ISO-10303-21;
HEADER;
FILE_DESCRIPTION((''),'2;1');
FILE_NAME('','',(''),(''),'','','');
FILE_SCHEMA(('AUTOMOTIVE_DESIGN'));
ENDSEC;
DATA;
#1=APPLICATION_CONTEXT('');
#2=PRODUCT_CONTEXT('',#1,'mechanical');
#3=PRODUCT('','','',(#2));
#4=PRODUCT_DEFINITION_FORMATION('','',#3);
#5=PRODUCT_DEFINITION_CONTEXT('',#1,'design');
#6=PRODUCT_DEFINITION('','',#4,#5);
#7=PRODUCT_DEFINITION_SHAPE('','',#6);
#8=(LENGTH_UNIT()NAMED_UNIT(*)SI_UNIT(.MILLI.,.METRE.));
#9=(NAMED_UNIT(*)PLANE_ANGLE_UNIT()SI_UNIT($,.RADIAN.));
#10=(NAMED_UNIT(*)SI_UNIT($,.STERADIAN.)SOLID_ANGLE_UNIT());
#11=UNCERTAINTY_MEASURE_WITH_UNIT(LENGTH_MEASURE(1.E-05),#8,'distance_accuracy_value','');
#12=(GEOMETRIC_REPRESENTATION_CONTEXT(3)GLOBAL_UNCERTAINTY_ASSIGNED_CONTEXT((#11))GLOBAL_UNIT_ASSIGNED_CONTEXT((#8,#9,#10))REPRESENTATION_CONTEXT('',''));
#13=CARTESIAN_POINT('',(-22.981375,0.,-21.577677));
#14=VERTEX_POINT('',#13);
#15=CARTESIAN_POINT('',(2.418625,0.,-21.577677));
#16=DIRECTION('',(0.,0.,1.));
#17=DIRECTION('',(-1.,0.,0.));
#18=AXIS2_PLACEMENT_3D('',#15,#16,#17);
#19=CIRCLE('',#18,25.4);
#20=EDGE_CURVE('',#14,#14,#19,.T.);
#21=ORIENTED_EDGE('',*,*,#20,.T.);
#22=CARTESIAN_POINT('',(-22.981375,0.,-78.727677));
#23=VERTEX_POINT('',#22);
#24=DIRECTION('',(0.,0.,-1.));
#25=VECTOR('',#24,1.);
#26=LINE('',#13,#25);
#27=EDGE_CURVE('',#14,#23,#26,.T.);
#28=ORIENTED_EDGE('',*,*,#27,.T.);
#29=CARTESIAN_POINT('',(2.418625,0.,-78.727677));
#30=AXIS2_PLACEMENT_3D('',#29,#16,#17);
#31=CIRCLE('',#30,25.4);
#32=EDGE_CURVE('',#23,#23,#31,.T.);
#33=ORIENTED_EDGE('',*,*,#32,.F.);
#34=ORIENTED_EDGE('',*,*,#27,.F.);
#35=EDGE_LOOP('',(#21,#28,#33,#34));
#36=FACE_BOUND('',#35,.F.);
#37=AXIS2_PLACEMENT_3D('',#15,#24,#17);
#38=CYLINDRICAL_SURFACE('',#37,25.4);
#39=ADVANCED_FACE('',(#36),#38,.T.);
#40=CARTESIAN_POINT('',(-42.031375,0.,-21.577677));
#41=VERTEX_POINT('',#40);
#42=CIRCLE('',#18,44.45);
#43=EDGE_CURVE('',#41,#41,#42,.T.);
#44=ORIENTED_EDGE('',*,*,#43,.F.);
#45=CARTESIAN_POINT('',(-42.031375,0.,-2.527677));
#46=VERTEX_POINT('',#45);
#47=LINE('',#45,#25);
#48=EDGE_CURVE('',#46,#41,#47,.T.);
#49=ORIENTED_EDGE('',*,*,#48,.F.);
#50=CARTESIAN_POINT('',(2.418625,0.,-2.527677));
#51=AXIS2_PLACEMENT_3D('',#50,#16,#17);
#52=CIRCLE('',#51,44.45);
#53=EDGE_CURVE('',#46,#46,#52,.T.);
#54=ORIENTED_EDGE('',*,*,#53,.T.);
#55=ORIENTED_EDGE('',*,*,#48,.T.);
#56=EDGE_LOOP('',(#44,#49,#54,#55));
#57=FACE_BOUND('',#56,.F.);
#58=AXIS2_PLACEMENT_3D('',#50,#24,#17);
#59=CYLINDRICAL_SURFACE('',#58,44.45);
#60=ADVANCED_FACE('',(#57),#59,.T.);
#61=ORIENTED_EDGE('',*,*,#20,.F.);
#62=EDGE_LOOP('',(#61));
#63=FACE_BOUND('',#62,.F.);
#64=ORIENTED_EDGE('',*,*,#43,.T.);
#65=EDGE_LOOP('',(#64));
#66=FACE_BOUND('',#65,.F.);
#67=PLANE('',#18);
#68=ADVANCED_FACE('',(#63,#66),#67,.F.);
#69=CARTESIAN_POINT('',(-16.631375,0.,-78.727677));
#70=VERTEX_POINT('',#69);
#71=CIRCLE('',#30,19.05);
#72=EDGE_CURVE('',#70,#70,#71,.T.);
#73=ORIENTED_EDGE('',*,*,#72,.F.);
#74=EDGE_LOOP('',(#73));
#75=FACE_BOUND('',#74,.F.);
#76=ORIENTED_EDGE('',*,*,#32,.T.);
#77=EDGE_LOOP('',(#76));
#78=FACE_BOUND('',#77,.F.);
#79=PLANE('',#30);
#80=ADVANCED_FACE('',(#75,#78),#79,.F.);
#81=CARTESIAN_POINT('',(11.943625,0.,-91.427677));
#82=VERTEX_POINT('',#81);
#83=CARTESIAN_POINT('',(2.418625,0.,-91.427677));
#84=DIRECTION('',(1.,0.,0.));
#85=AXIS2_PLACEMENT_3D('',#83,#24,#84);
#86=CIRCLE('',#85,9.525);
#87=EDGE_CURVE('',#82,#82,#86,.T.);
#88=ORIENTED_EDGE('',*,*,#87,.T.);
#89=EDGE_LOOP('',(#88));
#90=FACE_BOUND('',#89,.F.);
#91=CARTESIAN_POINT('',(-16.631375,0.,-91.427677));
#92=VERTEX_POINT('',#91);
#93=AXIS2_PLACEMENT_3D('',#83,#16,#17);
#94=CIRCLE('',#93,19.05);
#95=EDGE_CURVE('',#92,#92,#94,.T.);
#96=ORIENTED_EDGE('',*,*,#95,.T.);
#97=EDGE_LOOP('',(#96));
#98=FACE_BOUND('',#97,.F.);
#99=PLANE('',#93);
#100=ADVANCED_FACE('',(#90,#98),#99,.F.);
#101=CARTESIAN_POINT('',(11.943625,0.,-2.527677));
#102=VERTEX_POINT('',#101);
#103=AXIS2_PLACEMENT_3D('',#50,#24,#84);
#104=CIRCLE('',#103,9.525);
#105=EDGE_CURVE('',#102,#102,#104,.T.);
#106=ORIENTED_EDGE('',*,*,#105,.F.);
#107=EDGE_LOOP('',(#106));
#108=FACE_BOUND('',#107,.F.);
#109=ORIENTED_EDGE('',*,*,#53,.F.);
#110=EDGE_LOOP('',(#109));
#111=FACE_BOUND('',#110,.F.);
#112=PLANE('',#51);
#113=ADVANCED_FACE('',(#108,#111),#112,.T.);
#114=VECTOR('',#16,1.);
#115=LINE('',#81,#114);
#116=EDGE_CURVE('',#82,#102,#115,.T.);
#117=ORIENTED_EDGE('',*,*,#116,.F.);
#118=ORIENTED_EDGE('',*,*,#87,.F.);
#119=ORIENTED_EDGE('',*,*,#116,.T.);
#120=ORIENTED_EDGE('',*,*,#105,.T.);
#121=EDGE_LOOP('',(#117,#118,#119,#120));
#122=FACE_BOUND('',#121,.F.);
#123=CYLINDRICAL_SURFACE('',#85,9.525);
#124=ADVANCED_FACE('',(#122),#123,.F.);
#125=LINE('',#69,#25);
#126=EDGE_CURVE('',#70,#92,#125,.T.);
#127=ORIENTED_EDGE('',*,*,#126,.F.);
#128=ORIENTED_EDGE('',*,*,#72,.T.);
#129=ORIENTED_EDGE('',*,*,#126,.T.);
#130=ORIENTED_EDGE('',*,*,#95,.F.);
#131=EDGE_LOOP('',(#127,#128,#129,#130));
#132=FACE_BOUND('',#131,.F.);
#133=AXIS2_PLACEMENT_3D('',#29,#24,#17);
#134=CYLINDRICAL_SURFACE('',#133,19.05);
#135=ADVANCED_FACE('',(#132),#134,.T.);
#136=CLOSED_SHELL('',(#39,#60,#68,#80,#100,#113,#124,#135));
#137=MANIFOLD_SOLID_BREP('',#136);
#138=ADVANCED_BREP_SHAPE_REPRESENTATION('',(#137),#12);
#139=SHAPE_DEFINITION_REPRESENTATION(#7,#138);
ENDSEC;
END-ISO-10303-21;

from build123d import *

# Parameters (mm, degrees)
F2_R     = 9.525
F3_DEPTH = 88.9


with BuildPart() as f1:
    # F0 (on Front) → F1 (revolve)
    with BuildSketch(Plane.XZ):
        Polygon((-16.631375, -91.427677), (2.418625, -91.427677), (2.418625, -2.527677), (-42.031375, -2.527677), (-42.031375, -21.577677), (-22.981375, -21.577677), (-22.981375, -78.727677), (-16.631375, -78.727677), align=None)
    revolve(axis=Axis((2.418625, 0, 3.463581), (0, 0, 1)))

    # F2 (on face) → F3 (cut)
    with BuildSketch(Plane(origin=(0, 0, -91.427677), x_dir=(1, 0, 0), z_dir=(0, 0, -1))):
        with Locations((2.418625, 0)):
            Circle(F2_R)
    extrude(amount=-F3_DEPTH, mode=Mode.SUBTRACT)


solid = f1.part
